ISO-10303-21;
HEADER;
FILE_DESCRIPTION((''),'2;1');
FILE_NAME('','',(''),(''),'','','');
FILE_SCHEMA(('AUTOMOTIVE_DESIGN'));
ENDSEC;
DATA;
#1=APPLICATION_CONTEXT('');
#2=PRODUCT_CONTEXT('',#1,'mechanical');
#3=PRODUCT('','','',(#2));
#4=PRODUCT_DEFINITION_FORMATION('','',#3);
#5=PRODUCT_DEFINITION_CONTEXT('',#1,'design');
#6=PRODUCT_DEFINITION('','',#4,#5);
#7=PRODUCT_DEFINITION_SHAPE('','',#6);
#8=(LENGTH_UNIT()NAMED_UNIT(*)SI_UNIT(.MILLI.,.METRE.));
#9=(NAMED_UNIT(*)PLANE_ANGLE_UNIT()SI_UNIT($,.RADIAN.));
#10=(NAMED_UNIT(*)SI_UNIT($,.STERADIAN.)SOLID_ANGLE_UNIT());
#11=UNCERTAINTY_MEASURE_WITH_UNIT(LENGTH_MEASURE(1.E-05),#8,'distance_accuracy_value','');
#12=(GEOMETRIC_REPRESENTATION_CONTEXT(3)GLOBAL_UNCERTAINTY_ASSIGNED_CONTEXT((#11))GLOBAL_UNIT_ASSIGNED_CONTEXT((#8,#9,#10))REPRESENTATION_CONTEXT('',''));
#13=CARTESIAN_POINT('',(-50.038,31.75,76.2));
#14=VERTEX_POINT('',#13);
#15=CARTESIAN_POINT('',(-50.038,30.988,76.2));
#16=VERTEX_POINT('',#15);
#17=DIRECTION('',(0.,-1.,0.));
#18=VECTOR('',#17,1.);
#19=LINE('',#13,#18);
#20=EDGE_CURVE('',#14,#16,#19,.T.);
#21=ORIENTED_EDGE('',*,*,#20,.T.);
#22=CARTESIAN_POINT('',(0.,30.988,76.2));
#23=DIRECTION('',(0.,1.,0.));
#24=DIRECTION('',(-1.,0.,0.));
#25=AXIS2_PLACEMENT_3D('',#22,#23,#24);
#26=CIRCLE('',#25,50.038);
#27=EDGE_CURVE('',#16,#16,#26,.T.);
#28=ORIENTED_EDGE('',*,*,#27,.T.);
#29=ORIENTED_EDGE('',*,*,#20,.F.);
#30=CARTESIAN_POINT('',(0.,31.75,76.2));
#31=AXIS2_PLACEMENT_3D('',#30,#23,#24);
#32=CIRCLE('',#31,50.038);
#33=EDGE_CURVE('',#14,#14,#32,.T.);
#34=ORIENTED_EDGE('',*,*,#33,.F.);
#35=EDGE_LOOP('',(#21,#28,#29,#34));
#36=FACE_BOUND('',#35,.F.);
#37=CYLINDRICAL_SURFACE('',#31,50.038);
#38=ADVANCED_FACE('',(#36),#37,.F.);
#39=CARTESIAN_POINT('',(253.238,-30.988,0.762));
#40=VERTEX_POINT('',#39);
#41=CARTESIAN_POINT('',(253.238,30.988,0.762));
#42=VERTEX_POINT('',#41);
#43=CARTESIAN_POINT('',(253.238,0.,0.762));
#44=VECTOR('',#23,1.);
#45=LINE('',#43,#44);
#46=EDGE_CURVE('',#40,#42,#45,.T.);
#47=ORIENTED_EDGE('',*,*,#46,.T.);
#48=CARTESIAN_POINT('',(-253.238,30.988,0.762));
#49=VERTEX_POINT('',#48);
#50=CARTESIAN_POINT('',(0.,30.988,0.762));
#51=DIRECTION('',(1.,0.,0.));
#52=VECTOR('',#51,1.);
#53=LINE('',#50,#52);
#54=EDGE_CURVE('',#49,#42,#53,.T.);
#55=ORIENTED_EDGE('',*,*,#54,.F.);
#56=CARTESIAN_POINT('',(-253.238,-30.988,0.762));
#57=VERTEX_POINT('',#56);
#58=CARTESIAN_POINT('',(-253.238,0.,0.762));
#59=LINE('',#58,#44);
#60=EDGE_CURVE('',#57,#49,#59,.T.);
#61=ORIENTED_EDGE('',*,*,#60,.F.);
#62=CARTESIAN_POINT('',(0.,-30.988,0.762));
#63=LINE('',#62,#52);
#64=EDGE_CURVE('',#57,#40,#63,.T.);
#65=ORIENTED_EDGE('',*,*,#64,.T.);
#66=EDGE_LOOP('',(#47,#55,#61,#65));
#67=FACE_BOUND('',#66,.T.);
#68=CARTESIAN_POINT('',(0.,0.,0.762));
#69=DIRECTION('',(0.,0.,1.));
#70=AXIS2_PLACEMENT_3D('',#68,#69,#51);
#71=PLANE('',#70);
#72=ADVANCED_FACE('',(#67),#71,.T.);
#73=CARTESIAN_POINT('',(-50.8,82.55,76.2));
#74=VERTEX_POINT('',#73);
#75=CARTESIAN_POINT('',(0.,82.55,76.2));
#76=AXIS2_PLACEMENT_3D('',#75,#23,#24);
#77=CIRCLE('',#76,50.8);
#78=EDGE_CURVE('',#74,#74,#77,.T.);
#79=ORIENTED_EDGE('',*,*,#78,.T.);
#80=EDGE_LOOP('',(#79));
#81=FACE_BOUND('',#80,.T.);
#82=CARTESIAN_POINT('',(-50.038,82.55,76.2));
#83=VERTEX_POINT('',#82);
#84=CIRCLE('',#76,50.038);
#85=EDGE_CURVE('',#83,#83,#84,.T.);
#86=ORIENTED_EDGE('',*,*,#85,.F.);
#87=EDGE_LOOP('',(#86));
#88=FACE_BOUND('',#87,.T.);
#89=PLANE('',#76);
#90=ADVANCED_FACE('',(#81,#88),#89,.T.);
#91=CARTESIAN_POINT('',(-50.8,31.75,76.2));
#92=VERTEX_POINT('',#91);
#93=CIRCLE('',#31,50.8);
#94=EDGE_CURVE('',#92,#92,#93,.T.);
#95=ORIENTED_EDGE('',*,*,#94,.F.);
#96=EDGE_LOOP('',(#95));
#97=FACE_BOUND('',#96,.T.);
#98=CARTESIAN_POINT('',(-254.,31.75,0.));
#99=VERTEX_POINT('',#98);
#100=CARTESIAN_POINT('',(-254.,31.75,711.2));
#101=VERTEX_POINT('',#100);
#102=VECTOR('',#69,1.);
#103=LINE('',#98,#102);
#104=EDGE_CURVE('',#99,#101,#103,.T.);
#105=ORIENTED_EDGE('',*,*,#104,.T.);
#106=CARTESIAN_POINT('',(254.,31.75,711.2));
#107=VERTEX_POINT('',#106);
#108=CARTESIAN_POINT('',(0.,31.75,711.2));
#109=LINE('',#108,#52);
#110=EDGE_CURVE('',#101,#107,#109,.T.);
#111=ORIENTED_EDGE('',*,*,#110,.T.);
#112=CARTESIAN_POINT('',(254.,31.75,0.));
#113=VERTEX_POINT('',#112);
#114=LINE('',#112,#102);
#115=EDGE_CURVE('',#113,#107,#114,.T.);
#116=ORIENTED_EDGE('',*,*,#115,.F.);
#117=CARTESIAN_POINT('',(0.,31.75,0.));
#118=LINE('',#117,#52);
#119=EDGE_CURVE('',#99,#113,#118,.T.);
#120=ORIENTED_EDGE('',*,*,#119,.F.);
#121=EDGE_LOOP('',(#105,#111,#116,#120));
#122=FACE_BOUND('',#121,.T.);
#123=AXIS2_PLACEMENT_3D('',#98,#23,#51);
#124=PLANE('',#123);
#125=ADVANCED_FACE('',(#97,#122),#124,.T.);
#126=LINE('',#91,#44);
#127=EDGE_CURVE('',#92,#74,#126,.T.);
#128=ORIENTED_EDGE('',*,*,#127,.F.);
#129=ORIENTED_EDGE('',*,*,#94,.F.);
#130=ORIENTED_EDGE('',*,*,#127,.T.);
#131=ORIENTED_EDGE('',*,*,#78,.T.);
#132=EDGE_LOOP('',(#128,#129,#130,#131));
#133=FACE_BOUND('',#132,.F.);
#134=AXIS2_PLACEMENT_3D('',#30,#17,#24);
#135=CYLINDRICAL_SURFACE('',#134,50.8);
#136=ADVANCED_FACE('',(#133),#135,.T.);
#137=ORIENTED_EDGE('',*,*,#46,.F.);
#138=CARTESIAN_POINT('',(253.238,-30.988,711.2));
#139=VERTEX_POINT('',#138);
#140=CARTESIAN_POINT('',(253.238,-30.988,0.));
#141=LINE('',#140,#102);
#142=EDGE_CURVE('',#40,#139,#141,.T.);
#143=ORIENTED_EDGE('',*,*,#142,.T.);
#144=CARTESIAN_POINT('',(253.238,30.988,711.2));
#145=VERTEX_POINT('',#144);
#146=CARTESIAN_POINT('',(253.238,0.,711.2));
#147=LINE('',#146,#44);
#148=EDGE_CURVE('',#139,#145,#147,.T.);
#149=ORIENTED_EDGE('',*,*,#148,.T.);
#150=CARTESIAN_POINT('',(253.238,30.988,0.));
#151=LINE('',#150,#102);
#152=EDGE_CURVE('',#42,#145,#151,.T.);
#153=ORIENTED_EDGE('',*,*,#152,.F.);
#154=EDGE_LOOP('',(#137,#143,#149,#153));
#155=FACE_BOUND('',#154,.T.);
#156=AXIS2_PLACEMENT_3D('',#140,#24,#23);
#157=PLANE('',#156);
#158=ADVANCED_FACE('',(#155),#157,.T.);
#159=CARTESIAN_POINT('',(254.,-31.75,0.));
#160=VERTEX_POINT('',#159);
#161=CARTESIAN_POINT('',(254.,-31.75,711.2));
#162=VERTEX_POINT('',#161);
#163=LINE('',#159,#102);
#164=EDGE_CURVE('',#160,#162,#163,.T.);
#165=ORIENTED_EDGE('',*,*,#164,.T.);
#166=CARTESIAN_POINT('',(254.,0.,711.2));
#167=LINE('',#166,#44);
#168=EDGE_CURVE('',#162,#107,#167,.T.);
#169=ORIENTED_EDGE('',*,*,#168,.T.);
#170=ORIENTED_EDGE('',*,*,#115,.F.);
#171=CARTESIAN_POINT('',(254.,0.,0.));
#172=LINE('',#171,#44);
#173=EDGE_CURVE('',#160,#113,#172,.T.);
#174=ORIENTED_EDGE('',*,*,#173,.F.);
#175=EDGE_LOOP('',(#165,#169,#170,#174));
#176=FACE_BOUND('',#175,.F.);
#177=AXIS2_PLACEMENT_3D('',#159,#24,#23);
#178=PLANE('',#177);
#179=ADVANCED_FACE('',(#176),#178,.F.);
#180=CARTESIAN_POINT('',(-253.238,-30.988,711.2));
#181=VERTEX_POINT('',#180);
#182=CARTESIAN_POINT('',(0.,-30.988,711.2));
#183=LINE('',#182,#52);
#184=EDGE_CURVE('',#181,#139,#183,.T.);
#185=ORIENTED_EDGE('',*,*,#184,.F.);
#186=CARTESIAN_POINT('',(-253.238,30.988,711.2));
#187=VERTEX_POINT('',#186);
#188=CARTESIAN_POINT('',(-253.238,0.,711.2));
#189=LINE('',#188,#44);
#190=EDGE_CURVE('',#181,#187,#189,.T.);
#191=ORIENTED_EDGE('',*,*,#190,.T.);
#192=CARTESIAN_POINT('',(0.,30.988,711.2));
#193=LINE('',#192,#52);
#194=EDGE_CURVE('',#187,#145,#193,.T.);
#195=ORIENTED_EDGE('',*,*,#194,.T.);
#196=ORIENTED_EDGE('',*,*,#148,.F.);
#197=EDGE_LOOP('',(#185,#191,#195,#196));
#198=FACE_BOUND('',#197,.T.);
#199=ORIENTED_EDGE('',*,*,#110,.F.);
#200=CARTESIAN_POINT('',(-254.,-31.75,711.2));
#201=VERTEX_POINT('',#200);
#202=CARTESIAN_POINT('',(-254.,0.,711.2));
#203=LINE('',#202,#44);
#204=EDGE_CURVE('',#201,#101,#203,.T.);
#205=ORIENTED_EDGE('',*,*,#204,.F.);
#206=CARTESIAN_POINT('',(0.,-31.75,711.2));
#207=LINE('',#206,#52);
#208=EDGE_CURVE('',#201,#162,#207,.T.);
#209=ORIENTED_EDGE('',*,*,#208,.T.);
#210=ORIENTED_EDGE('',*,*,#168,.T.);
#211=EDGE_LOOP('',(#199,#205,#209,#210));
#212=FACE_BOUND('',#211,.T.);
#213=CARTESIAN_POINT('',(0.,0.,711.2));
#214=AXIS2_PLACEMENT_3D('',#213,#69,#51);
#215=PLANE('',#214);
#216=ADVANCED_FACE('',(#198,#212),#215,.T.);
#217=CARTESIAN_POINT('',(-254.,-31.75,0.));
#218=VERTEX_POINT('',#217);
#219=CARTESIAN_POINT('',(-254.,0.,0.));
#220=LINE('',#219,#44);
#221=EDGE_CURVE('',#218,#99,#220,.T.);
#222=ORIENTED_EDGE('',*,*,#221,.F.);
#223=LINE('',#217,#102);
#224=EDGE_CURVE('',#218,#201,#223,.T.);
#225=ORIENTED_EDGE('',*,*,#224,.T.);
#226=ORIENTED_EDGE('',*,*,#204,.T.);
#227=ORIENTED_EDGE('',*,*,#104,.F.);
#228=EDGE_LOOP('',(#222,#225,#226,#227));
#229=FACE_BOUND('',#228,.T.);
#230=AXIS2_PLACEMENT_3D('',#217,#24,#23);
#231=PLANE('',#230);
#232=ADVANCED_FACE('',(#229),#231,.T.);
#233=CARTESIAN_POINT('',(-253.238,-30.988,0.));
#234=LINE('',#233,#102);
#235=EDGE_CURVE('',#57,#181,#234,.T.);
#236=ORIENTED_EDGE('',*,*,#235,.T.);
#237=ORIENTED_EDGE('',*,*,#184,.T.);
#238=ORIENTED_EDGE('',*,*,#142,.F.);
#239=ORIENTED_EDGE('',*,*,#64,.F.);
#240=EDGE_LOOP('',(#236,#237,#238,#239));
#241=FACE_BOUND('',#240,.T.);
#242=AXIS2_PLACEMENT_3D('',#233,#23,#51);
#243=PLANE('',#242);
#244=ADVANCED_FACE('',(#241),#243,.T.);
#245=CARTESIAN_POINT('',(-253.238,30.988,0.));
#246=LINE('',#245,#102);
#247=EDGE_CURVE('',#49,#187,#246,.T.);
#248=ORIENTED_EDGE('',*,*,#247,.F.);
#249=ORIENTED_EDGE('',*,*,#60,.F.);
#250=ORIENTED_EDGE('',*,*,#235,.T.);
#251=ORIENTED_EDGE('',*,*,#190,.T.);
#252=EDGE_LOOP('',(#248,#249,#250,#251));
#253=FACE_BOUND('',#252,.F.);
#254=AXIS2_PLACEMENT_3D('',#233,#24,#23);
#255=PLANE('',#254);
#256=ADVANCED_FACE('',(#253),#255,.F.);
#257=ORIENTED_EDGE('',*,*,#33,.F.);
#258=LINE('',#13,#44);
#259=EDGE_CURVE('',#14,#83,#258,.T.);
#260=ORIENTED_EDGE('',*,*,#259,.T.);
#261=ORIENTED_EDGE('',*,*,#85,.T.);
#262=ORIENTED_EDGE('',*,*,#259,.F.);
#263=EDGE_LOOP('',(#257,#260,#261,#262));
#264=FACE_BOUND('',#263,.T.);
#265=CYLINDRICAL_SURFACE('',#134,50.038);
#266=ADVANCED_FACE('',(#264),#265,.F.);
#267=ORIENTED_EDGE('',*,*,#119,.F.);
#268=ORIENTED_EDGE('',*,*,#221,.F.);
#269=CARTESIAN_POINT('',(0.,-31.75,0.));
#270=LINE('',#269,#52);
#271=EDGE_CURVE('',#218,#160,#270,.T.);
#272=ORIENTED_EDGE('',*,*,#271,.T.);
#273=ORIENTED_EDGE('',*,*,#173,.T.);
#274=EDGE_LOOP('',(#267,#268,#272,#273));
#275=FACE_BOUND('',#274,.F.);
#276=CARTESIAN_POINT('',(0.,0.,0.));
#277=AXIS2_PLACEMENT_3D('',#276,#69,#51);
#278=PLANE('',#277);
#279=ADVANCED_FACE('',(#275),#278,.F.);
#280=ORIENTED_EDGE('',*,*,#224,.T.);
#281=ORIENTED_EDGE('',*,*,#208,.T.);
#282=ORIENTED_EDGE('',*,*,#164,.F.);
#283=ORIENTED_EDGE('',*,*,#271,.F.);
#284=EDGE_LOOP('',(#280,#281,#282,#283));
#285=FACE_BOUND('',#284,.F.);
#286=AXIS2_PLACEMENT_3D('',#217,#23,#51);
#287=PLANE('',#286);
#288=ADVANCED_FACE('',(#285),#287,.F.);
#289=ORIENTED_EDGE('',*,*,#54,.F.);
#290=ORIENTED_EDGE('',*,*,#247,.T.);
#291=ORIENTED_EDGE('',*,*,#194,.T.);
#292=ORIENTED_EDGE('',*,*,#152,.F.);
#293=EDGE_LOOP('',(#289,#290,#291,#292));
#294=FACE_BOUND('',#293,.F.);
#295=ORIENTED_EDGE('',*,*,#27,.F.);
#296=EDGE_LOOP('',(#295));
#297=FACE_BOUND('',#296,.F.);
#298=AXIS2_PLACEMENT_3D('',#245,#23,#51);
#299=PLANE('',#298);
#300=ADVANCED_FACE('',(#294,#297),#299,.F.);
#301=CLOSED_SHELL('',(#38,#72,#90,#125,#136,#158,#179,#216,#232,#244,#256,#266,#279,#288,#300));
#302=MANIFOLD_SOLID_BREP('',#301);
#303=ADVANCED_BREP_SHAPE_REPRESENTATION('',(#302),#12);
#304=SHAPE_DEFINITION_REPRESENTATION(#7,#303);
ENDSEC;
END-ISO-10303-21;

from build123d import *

# Parameters (mm, degrees)
F0_W     = 508
F0_H     = 63.5
F0_W_2   = 506.476
F0_H_2   = 61.976
F1_DEPTH = 711.2
F2_DEPTH = 0.762
F3_R     = 50.8
F3_R_2   = 50.038
F4_DEPTH = 50.8
F5_DEPTH = 25.4


with BuildPart() as f1:
    # F0 (on Top) → F1 (new body)
    with BuildSketch(Plane.XY):
        Rectangle(F0_W, F0_H)
        Rectangle(F0_W_2, F0_H_2, mode=Mode.SUBTRACT)
    extrude(amount=F1_DEPTH)

    # F0 (on Top) → F2 (join)
    with BuildSketch(Plane.XY):
        Rectangle(F0_W_2, F0_H_2)
    extrude(amount=F2_DEPTH)

    # F3 (on face) → F4 (join)
    with BuildSketch(Plane(origin=(0, 31.75, 0), x_dir=(-1, 0, 0), z_dir=(0, 1, 0))):
        with Locations((0, 76.2)):
            Circle(F3_R)
        with Locations((0, 76.2)):
            Circle(F3_R_2, mode=Mode.SUBTRACT)
    extrude(amount=F4_DEPTH)

    # F3 (on face) → F5 (cut)
    with BuildSketch(Plane(origin=(0, 31.75, 0), x_dir=(-1, 0, 0), z_dir=(0, 1, 0))):
        with Locations((0, 76.2)):
            Circle(F3_R_2)
    extrude(amount=-F5_DEPTH, mode=Mode.SUBTRACT)


solid = f1.part
